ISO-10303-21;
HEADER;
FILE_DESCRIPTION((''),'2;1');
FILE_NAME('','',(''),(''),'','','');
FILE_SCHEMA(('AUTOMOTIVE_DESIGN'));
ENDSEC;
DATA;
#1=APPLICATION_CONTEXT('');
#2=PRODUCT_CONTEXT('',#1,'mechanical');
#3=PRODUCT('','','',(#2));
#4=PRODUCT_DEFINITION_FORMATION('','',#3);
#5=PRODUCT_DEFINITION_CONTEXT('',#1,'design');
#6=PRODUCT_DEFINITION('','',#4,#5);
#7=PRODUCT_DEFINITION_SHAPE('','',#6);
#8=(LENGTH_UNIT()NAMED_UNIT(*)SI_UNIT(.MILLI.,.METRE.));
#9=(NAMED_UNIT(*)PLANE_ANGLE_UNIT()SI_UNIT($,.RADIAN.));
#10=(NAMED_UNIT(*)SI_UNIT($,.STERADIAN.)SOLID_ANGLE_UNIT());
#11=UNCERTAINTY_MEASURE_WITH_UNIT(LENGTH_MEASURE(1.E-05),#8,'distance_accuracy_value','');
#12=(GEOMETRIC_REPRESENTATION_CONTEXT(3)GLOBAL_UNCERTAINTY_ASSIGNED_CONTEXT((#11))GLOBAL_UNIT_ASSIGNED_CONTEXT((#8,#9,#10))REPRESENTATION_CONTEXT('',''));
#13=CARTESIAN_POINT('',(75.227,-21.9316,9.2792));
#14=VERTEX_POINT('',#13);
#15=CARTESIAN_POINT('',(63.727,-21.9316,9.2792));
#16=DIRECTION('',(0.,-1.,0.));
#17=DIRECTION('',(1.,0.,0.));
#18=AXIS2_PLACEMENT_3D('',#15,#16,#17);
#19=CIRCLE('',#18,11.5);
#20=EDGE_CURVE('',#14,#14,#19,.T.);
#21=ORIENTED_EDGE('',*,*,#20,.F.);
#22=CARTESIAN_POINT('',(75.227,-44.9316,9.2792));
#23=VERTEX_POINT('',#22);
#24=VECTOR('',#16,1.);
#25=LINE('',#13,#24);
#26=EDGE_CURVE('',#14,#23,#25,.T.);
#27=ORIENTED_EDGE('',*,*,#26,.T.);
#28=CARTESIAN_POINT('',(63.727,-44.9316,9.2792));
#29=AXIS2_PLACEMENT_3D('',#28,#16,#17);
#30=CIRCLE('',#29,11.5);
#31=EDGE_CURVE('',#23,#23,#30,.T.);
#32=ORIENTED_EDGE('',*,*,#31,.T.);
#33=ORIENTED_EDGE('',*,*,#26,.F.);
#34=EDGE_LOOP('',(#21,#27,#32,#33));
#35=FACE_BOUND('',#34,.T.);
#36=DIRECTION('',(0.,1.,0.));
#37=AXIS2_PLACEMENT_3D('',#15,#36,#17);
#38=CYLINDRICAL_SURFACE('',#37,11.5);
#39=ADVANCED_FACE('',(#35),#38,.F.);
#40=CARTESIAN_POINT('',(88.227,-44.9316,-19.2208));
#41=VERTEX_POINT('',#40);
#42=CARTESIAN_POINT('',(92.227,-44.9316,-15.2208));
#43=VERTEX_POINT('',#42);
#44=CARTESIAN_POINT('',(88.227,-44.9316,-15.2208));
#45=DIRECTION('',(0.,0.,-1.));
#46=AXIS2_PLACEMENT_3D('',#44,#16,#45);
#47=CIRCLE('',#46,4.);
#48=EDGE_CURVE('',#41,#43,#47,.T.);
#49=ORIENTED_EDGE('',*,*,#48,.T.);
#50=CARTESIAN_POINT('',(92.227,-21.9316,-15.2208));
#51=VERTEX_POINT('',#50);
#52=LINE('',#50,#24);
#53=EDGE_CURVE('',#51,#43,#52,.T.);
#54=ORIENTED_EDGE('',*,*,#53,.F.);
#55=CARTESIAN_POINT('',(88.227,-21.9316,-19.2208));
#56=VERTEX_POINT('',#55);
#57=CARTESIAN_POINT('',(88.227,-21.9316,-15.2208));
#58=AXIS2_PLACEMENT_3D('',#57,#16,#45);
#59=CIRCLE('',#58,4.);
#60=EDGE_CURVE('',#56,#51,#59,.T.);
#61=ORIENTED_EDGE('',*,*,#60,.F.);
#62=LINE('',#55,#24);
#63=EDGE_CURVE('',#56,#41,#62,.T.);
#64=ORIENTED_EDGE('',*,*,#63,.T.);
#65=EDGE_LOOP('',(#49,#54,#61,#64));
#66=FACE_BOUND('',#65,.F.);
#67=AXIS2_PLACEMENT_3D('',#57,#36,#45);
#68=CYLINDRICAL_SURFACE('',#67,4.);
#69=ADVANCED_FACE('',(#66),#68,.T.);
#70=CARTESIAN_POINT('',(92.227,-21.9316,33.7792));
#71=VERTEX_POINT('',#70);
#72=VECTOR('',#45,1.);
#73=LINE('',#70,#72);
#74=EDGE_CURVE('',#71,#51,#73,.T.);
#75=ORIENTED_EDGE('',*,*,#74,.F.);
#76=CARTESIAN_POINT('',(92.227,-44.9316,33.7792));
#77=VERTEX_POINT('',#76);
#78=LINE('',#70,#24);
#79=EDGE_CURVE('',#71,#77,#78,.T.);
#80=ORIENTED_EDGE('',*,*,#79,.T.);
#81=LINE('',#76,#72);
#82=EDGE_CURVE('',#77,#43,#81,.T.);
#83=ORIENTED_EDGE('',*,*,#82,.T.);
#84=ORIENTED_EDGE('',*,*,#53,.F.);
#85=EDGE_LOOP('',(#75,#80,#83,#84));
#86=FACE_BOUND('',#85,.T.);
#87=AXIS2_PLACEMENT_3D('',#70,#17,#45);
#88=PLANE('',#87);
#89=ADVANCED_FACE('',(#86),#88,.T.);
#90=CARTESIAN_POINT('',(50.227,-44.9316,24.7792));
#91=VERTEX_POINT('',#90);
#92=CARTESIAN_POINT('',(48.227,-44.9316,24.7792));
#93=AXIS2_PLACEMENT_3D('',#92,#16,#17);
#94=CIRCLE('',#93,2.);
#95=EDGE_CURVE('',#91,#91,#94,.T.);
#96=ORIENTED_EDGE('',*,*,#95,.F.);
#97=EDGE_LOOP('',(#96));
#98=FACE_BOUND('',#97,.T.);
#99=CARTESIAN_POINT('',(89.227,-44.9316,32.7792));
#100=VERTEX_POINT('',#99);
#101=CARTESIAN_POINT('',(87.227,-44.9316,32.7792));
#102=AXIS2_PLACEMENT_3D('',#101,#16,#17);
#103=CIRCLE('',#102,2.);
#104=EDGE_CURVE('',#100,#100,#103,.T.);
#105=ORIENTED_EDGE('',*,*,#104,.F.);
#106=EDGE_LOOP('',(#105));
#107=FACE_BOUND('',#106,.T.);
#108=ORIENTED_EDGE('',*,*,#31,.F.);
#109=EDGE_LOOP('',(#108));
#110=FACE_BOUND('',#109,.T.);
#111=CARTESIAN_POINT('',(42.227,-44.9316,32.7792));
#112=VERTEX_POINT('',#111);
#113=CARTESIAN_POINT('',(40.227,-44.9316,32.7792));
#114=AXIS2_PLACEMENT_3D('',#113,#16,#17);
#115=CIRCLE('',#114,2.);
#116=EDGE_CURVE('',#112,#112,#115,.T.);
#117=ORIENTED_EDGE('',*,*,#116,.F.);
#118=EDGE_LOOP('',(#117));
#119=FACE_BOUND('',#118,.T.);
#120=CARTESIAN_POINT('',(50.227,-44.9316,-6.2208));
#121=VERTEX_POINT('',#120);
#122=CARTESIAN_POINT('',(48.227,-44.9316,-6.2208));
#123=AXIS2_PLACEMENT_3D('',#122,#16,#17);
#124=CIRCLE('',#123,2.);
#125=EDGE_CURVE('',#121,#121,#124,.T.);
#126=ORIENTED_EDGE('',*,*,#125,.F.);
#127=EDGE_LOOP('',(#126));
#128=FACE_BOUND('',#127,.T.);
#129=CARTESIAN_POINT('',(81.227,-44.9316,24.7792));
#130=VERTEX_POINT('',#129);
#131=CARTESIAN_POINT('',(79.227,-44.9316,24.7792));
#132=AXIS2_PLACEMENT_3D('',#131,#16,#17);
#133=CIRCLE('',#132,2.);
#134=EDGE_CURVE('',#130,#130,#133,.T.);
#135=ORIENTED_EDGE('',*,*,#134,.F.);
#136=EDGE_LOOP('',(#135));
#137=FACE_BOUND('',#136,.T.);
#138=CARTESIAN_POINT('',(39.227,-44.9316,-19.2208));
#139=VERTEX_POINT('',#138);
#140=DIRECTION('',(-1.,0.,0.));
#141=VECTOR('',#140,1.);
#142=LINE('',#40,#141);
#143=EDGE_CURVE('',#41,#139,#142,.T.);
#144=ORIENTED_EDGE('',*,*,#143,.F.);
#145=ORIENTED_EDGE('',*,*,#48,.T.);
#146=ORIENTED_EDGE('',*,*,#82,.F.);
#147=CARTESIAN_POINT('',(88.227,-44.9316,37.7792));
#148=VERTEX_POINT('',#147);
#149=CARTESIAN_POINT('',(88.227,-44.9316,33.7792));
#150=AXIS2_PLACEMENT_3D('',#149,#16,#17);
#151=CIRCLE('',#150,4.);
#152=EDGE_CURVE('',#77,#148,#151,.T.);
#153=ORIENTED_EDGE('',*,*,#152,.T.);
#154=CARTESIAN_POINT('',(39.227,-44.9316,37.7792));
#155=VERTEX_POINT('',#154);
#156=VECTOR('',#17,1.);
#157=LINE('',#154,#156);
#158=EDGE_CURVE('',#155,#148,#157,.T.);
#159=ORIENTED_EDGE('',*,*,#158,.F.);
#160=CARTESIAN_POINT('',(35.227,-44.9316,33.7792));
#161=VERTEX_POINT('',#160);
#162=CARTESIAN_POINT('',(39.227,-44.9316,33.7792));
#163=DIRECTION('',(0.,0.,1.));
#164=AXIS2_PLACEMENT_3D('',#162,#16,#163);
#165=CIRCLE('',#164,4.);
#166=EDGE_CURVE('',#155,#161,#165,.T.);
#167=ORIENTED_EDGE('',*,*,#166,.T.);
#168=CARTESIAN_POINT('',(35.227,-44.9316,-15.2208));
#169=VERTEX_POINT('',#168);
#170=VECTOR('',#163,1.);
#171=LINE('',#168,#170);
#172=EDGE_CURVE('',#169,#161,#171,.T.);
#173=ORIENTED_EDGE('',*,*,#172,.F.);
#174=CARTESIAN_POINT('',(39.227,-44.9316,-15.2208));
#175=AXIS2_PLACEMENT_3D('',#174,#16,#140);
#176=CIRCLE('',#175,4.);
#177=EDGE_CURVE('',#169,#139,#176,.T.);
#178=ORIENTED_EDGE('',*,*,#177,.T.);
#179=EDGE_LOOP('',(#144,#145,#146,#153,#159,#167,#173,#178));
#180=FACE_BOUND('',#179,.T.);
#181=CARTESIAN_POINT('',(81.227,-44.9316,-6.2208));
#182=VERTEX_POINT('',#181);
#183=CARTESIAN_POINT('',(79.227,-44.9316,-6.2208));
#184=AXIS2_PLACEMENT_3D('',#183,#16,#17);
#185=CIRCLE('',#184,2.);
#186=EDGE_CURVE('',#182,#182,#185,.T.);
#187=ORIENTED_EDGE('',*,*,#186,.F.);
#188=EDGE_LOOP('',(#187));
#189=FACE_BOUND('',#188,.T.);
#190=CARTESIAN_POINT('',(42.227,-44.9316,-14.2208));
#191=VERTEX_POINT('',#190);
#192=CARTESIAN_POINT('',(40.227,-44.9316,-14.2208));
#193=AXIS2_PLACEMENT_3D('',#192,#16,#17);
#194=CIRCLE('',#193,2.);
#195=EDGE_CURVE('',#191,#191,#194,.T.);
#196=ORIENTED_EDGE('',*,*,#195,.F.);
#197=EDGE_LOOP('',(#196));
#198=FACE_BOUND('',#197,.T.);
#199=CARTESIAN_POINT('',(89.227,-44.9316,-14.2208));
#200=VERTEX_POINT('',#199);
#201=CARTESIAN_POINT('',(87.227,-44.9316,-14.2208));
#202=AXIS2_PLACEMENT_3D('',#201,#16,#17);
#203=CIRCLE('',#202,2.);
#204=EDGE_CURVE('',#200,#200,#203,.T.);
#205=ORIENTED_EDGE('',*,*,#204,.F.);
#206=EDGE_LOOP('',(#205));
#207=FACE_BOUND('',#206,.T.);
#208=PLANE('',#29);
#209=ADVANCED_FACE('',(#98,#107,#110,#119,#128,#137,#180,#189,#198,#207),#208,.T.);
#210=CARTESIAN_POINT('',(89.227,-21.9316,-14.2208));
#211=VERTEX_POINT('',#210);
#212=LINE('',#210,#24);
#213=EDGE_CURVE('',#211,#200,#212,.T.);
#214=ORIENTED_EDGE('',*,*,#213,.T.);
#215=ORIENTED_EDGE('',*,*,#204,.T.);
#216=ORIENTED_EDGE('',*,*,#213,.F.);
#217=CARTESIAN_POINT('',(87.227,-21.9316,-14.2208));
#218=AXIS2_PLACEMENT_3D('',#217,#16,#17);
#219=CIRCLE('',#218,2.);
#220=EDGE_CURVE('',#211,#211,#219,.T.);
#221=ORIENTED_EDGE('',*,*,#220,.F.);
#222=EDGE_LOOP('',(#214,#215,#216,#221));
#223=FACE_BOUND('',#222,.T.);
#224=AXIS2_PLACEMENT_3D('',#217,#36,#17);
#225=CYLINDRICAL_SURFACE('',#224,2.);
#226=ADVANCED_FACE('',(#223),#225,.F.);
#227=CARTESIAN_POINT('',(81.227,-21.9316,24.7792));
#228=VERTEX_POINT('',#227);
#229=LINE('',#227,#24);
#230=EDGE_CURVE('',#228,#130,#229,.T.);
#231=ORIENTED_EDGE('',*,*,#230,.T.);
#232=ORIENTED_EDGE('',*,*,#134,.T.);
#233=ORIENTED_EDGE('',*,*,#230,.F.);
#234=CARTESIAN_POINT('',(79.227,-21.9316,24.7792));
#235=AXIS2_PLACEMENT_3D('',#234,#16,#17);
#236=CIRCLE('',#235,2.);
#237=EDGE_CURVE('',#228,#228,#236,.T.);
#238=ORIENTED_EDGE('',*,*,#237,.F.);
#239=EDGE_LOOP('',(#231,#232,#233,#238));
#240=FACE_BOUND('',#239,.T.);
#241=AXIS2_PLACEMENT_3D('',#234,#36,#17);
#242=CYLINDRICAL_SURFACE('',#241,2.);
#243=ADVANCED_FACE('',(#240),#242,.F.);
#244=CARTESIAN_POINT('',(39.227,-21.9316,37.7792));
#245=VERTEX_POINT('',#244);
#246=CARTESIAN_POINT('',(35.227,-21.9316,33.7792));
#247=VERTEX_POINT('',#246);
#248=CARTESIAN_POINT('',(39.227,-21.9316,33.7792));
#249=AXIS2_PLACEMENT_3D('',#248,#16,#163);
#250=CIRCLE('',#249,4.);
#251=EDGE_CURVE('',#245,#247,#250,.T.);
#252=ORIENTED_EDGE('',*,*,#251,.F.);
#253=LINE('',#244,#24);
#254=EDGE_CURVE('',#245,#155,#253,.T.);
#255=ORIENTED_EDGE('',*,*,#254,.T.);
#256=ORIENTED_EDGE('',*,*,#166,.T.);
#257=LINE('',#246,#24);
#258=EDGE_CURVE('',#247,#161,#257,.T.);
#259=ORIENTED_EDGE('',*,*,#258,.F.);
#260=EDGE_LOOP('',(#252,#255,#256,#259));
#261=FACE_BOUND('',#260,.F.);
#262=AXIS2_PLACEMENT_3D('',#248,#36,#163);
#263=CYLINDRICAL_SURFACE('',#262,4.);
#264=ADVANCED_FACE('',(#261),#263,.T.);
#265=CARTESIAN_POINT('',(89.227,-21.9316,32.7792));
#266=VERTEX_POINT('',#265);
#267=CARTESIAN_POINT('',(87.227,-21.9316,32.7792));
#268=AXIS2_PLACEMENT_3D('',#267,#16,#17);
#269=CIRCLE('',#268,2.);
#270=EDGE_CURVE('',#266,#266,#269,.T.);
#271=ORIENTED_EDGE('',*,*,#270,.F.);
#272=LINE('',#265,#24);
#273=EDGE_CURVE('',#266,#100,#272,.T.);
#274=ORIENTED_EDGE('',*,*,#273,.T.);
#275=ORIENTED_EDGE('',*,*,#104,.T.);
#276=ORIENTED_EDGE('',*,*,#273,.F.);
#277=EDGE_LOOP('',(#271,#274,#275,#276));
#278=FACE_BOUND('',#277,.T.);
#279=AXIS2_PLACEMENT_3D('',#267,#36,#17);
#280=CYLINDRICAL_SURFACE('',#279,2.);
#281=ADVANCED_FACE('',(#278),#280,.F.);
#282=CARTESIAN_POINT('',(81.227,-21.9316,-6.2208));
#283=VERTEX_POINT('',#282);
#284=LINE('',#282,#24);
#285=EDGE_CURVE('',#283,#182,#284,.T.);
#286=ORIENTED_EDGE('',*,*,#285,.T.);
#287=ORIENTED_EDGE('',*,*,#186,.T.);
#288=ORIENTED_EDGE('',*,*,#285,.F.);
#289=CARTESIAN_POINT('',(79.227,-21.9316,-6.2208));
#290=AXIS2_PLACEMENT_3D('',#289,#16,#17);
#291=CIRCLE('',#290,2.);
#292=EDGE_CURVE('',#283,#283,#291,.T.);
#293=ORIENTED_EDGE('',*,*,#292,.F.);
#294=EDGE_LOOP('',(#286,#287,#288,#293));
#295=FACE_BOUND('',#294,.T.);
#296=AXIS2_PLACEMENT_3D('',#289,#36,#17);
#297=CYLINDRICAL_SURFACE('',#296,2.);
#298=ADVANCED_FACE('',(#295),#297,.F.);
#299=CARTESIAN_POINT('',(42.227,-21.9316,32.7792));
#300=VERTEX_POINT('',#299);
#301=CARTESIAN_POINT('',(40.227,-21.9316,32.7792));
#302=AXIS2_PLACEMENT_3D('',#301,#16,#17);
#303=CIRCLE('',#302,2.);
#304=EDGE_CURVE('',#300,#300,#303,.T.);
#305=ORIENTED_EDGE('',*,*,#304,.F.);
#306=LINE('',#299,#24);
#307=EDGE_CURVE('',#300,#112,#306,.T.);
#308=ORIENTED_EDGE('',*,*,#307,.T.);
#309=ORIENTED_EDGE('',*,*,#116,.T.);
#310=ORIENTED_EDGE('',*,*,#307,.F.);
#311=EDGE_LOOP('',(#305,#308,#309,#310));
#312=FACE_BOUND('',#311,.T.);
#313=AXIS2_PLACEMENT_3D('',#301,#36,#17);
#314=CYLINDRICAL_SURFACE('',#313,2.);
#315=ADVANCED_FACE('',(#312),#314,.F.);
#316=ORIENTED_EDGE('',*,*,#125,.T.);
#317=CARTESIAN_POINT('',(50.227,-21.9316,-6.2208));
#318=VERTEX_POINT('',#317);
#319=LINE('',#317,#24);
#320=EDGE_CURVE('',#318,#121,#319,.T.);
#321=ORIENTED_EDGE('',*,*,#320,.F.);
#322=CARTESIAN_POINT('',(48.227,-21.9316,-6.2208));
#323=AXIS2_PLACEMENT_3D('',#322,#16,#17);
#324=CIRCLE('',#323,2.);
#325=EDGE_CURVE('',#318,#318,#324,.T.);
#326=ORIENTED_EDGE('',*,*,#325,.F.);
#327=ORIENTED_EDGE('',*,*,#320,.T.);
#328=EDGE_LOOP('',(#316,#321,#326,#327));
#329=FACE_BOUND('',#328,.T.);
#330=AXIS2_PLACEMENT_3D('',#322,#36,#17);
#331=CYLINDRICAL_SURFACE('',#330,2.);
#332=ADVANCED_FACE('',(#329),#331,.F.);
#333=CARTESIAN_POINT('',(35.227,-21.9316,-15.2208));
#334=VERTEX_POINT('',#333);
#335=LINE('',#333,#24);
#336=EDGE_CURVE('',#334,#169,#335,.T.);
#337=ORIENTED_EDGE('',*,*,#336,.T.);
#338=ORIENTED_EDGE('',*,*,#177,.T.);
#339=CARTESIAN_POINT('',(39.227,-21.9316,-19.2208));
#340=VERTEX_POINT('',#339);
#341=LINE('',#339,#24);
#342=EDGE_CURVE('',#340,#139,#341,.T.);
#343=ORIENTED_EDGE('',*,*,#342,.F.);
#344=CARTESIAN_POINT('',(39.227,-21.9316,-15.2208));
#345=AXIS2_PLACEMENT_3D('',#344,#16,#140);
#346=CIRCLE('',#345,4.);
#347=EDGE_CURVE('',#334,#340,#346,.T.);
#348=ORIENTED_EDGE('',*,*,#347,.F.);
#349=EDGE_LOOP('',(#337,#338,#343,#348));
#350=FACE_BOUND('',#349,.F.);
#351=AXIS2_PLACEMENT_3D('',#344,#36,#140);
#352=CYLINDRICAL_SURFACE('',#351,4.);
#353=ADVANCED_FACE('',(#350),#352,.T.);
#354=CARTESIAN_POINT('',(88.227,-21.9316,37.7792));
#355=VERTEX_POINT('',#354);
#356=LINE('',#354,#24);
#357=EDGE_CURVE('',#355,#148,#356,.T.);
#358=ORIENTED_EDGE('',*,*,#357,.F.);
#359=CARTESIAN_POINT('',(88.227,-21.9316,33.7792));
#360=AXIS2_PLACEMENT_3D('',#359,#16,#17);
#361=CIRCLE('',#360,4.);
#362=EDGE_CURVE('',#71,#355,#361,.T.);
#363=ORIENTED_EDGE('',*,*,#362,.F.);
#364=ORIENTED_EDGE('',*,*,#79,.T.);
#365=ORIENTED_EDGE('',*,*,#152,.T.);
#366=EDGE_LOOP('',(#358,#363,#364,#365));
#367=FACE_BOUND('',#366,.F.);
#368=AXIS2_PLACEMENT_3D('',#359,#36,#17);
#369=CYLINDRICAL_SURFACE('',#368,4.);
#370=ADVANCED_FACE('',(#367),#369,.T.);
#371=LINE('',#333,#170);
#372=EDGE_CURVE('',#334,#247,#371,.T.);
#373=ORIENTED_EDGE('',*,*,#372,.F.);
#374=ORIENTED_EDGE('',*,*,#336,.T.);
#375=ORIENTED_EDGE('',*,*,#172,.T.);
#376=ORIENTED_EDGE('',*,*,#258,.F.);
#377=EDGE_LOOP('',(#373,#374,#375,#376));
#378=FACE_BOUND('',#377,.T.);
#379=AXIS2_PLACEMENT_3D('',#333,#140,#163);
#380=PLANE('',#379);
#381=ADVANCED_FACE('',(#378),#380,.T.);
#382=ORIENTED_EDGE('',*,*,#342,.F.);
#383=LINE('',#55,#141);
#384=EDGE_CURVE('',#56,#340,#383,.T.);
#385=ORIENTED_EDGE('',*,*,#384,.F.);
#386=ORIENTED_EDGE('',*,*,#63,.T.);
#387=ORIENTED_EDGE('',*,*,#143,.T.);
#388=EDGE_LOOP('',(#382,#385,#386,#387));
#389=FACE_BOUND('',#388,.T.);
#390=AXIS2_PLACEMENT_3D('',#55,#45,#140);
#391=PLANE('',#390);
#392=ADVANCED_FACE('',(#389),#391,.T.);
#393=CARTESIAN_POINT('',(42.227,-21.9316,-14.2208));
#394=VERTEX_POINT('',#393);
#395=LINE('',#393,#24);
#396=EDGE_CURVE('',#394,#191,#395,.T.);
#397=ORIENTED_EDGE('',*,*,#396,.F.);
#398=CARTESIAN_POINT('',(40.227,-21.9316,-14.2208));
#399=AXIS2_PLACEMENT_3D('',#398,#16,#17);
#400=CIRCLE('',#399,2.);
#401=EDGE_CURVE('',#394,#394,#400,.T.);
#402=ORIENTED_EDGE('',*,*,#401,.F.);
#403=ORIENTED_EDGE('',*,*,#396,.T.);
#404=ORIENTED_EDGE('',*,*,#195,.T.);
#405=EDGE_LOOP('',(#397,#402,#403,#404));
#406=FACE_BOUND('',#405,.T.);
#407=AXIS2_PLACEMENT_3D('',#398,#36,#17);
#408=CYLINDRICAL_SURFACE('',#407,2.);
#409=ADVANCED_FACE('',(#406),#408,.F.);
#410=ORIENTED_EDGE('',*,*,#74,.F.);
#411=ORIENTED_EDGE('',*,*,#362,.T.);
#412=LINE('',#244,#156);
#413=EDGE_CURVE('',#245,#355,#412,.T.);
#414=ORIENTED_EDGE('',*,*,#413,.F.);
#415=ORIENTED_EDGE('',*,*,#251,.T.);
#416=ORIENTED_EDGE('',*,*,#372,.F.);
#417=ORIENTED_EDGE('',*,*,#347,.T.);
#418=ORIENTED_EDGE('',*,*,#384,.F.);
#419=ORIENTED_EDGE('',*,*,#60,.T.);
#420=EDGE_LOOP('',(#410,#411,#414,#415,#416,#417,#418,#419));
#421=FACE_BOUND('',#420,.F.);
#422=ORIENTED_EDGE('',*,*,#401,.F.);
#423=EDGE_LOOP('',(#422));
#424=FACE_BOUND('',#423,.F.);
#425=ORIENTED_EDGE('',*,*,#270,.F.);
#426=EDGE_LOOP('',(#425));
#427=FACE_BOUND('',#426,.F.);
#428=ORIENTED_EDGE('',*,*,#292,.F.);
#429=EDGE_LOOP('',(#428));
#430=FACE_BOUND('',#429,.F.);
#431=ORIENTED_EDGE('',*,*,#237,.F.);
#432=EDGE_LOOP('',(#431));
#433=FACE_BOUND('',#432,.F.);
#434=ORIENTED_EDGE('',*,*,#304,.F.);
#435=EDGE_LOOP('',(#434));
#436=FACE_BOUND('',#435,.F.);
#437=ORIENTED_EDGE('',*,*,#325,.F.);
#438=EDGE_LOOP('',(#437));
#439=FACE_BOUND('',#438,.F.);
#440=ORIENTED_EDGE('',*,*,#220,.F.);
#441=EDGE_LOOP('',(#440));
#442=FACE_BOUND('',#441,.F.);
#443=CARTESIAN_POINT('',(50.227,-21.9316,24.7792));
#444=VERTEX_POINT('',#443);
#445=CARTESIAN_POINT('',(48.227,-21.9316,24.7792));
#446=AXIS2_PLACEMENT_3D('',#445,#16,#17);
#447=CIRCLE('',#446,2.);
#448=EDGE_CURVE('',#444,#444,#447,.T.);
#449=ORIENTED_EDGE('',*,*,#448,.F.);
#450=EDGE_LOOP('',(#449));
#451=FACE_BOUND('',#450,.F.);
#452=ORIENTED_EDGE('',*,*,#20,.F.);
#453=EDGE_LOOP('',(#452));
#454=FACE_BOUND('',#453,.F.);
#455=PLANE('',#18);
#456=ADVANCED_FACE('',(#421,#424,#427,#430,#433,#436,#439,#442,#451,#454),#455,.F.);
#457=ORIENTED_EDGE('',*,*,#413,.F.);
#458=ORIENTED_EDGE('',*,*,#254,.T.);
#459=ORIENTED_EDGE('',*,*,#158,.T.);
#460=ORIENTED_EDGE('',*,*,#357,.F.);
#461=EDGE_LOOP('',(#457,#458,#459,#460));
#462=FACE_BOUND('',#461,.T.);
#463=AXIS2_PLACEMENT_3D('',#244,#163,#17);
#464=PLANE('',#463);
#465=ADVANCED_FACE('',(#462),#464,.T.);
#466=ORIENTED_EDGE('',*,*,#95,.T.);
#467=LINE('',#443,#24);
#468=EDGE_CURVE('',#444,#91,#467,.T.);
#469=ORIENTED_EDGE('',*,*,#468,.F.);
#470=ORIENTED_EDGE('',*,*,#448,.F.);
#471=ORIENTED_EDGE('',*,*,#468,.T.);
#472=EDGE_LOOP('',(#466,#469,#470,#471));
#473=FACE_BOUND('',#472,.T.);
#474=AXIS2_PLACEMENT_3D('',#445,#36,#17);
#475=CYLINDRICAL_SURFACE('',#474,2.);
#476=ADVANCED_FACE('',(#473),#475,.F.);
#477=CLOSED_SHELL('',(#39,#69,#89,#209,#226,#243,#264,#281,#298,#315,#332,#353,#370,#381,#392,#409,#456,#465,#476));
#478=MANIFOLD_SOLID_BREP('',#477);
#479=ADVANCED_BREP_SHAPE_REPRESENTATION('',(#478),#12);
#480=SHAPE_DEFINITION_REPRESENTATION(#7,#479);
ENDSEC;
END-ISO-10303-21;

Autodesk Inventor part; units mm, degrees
ref_plane "YZ Plane" through (0, 0, 0) normal (1, 0, 0) x (0, 1, 0)
ref_plane "XZ Plane" through (0, 0, 0) normal (0, 1, 0) x (-1, 0, 0)
ref_plane "XY Plane" through (0, 0, 0) normal (0, 0, 1) x (1, 0, 0)
ref_plane "Arbeitsebene1" through (63.727, -21.9316, 9.2792) normal (0, -1, 0) x (1, 0, 0)
sketch "Skizze1" plane through (63.727, -21.9316, 9.2792) normal (0, -1, 0) x (1, 0, 0)
  line L0 (-20.15, -16.7358) -> (-16.7358, -20.15) projected
  line L1 (-16.7358, -20.15) -> (16.7358, -20.15) projected
  line L2 (16.7358, -20.15) -> (20.15, -16.7358) projected
  line L3 (20.15, -16.7358) -> (20.15, 16.7358) projected
  line L4 (20.15, 16.7358) -> (16.7358, 20.15) projected
  line L5 (16.7358, 20.15) -> (-16.7358, 20.15) projected
  line L6 (-16.7358, 20.15) -> (-20.15, 16.7358) projected
  line L7 (-20.15, 16.7358) -> (-20.15, -16.7358) projected
  circle A0 centre (-15.5, -15.5) radius 2 projected
  circle A1 centre (15.5, -15.5) radius 2 projected
  circle A2 centre (15.5, 15.5) radius 2 projected
  circle A3 centre (-15.5, 15.5) radius 2 projected
  circle A4 centre (0, 0) radius 11.5 projected
  line L8 (24.5, -28.5) -> (-24.5, -28.5)
  line L9 (-28.5, -24.5) -> (-28.5, 24.5)
  line L10 (-24.5, 28.5) -> (24.5, 28.5)
  line L11 (28.5, 24.5) -> (28.5, -24.5)
  line L12 (28.5, -28.5) -> (-28.5, 28.5) construction
  line L13 (-28.5, -28.5) -> (28.5, 28.5) construction
  arc A5 (-24.5, 28.5) -> (-28.5, 24.5) centre (-24.5, 24.5) ccw
  arc A6 (28.5, 24.5) -> (24.5, 28.5) centre (24.5, 24.5) ccw
  arc A7 (24.5, -28.5) -> (28.5, -24.5) centre (24.5, -24.5) ccw
  arc A8 (-28.5, -24.5) -> (-24.5, -28.5) centre (-24.5, -24.5) ccw
  line L14 (23.5, -23.5) -> (-23.5, -23.5) construction
  line L15 (-23.5, -23.5) -> (-23.5, 23.5) construction
  line L16 (-23.5, 23.5) -> (23.5, 23.5) construction
  line L17 (23.5, 23.5) -> (23.5, -23.5) construction
  line L18 (23.5, -23.5) -> (-23.5, 23.5) construction
  line L19 (-23.5, -23.5) -> (23.5, 23.5) construction
  circle A9 centre (-23.5, 23.5) radius 2
  circle A10 centre (23.5, 23.5) radius 2
  circle A11 centre (23.5, -23.5) radius 2
  circle A12 centre (-23.5, -23.5) radius 2
  point P0 (-63.727, -9.2792)
  dimension "d0" = 57
  dimension "d1" = 57
  dimension "d2" = 4
  dimension "d3" = 47
  dimension "d4" = 47
  dimension "d5" = 4
  dimension "d6" = 4
  dimension "d7" = 4
  dimension "d8" = 4
extrude "Extrusion1" add sketch "Skizze1" along normal blind 23 contours L7 L6 L5 L4 L3 L2 L1 L0 | L8 A8 L9 A5 L10 A6 L11 A7
properties part number "00_NEMA17_Perestalticpump_Adapter"
